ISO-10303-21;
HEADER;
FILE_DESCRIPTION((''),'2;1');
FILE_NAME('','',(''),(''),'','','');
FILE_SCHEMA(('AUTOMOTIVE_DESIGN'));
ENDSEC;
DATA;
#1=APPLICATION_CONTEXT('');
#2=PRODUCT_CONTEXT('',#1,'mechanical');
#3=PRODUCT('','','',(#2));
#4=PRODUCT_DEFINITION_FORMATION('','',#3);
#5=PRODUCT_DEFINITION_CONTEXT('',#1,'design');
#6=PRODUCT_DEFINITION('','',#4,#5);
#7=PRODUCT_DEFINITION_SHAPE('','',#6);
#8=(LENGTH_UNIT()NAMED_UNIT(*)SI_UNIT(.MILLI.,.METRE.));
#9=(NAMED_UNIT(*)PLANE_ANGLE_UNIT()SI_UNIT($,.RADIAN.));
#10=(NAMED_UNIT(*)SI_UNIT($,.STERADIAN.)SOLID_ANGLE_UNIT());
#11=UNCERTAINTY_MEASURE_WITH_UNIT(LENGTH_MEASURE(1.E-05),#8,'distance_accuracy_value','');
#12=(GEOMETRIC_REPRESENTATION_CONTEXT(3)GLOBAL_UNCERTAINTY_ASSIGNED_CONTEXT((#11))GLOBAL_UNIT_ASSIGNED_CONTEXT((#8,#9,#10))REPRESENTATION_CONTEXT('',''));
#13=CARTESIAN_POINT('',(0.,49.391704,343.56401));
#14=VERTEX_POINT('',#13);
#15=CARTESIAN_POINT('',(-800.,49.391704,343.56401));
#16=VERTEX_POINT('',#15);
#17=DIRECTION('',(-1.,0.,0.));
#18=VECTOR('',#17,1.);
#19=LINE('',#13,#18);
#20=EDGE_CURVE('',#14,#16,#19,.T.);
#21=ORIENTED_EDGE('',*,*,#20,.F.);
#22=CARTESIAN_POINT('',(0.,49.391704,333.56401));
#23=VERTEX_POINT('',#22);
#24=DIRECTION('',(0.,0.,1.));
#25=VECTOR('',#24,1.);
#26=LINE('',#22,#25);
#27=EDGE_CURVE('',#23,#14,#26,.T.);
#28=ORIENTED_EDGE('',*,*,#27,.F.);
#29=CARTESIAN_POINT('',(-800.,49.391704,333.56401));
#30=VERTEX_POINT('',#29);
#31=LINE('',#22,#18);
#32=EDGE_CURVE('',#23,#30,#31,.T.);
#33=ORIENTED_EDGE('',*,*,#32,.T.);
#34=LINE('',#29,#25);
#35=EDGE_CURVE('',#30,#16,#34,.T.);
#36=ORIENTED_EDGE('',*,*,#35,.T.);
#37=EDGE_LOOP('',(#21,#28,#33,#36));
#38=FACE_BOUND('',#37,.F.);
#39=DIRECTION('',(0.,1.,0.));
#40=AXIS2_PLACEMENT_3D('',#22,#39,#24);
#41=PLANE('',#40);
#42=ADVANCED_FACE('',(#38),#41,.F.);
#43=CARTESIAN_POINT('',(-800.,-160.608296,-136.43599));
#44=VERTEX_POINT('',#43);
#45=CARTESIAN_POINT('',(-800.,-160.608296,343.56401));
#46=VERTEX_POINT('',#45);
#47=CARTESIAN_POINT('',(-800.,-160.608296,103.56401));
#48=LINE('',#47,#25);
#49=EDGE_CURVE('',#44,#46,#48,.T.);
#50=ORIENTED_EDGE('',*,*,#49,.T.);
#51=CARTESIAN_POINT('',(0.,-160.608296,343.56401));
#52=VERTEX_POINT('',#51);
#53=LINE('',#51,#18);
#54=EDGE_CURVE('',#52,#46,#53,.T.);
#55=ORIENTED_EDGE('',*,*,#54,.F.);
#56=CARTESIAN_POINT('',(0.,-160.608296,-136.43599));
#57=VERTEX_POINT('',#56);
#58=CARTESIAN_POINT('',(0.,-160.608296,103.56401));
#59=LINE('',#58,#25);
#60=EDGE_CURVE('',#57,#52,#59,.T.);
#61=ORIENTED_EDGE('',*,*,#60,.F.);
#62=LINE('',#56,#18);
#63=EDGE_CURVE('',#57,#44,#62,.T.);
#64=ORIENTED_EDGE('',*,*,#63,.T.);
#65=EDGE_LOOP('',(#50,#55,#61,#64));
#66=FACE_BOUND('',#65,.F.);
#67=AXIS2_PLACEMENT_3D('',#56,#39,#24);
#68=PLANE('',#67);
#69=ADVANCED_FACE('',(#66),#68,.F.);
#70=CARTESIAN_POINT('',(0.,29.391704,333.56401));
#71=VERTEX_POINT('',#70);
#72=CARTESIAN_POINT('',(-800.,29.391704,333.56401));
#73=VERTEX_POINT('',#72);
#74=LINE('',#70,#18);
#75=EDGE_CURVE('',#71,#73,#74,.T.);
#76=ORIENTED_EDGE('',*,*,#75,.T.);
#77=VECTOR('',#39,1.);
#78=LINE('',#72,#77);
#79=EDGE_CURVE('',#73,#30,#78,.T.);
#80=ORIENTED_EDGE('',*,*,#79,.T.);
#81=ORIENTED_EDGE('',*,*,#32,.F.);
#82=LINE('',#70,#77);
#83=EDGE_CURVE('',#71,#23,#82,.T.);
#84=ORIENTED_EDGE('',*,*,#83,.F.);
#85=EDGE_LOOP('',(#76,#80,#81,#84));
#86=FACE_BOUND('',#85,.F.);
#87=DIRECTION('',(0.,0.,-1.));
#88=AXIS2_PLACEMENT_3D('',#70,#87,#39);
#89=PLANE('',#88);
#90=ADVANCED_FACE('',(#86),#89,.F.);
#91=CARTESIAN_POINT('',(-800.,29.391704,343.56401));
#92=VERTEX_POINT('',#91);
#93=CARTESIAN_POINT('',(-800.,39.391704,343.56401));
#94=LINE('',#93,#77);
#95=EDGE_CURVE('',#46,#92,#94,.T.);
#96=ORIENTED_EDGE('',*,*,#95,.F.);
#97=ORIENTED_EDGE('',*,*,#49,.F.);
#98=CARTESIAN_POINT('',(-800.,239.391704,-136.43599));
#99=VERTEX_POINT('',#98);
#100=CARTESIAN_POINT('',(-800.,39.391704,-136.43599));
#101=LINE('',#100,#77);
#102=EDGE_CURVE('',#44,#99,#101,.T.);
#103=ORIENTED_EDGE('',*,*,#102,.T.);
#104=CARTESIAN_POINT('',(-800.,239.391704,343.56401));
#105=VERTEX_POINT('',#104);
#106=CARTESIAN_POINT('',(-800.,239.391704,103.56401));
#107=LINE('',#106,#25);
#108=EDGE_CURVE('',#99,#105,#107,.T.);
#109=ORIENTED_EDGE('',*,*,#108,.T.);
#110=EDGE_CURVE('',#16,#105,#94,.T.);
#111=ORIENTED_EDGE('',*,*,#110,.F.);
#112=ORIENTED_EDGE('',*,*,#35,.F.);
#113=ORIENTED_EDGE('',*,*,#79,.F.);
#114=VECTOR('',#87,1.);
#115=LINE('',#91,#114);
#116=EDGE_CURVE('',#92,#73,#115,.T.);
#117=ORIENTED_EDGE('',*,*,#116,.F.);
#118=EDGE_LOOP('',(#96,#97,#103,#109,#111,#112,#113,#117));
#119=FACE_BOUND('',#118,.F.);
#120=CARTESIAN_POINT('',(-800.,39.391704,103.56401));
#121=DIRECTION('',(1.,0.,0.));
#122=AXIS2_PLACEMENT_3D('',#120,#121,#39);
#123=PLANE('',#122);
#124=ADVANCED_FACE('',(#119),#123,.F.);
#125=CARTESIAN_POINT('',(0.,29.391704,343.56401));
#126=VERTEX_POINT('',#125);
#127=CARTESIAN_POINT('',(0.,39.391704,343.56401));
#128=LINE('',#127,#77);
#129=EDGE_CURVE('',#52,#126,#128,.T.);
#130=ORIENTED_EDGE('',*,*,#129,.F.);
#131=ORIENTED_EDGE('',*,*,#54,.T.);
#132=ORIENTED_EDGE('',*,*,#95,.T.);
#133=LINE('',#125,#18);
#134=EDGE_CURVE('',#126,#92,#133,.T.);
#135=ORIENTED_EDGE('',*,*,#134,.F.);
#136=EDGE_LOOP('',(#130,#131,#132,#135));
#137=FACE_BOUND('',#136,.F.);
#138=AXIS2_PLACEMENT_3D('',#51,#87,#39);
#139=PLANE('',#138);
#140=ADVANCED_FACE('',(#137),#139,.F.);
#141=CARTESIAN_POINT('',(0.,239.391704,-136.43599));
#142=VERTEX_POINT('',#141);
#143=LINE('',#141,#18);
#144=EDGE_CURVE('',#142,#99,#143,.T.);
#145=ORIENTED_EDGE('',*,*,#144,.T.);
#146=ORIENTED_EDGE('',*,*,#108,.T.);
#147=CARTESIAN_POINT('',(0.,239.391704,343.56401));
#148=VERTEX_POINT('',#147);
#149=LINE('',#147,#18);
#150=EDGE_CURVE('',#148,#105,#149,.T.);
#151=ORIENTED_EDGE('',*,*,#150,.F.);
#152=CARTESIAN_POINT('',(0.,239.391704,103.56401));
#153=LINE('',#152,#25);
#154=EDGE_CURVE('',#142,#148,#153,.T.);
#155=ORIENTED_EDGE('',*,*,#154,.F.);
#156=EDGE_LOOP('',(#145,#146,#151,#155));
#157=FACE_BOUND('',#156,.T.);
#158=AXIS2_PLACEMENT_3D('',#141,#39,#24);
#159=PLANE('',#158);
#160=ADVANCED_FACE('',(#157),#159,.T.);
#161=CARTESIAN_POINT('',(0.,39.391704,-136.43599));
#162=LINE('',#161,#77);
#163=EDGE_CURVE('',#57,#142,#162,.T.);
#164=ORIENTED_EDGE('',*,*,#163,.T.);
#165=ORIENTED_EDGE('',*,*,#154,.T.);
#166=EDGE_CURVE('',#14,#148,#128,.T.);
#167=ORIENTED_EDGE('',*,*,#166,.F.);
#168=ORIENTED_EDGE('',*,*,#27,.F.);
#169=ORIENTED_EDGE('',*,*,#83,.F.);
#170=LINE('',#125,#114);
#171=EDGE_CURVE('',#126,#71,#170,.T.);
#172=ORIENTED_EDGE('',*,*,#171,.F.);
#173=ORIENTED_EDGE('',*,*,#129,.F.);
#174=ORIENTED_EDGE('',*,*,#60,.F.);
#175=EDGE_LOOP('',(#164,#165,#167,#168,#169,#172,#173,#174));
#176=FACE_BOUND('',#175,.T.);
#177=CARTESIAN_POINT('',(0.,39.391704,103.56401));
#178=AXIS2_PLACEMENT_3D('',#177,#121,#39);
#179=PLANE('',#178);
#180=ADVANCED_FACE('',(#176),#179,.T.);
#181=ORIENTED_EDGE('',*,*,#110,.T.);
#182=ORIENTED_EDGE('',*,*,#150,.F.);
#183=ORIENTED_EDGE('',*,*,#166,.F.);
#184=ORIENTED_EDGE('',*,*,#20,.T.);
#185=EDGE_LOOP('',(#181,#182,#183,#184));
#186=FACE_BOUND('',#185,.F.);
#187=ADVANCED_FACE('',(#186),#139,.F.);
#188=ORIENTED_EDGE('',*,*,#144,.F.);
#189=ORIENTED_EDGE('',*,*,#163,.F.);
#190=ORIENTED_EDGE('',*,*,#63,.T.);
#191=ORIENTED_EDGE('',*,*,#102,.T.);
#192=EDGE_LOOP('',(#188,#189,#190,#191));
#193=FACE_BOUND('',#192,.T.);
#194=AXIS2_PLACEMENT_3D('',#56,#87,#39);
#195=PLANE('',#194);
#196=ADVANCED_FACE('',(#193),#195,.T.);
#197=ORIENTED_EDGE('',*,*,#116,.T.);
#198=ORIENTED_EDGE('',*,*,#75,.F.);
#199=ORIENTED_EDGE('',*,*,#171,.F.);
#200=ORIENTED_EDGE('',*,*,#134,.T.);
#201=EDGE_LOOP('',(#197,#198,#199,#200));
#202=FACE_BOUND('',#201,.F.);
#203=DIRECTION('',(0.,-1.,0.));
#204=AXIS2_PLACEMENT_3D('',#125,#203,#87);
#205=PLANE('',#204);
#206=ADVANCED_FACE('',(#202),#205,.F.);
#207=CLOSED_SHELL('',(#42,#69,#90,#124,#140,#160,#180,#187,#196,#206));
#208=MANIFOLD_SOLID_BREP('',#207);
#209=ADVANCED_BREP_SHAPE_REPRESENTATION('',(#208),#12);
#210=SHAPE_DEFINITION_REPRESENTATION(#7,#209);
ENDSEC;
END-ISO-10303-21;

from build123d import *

# Parameters (mm, degrees)
F0_W     = 400
F0_H     = 480
F1_DEPTH = 800
F3_DEPTH = 800


with BuildPart() as f1:
    # F0 (on Right) → F1 (new body)
    with BuildSketch(Plane.YZ):
        with Locations((39.391704, 103.56401)):
            Rectangle(F0_W, F0_H)
    extrude(amount=-F1_DEPTH)

    # F2 (on face) → F3 (cut)
    with BuildSketch(Plane.YZ):
        Polygon((39.391704, 343.56401), (29.391704, 343.56401), (29.391704, 333.56401), (49.391704, 333.56401), (49.391704, 343.56401), align=None)
    extrude(amount=-F3_DEPTH, mode=Mode.SUBTRACT)


solid = f1.part
